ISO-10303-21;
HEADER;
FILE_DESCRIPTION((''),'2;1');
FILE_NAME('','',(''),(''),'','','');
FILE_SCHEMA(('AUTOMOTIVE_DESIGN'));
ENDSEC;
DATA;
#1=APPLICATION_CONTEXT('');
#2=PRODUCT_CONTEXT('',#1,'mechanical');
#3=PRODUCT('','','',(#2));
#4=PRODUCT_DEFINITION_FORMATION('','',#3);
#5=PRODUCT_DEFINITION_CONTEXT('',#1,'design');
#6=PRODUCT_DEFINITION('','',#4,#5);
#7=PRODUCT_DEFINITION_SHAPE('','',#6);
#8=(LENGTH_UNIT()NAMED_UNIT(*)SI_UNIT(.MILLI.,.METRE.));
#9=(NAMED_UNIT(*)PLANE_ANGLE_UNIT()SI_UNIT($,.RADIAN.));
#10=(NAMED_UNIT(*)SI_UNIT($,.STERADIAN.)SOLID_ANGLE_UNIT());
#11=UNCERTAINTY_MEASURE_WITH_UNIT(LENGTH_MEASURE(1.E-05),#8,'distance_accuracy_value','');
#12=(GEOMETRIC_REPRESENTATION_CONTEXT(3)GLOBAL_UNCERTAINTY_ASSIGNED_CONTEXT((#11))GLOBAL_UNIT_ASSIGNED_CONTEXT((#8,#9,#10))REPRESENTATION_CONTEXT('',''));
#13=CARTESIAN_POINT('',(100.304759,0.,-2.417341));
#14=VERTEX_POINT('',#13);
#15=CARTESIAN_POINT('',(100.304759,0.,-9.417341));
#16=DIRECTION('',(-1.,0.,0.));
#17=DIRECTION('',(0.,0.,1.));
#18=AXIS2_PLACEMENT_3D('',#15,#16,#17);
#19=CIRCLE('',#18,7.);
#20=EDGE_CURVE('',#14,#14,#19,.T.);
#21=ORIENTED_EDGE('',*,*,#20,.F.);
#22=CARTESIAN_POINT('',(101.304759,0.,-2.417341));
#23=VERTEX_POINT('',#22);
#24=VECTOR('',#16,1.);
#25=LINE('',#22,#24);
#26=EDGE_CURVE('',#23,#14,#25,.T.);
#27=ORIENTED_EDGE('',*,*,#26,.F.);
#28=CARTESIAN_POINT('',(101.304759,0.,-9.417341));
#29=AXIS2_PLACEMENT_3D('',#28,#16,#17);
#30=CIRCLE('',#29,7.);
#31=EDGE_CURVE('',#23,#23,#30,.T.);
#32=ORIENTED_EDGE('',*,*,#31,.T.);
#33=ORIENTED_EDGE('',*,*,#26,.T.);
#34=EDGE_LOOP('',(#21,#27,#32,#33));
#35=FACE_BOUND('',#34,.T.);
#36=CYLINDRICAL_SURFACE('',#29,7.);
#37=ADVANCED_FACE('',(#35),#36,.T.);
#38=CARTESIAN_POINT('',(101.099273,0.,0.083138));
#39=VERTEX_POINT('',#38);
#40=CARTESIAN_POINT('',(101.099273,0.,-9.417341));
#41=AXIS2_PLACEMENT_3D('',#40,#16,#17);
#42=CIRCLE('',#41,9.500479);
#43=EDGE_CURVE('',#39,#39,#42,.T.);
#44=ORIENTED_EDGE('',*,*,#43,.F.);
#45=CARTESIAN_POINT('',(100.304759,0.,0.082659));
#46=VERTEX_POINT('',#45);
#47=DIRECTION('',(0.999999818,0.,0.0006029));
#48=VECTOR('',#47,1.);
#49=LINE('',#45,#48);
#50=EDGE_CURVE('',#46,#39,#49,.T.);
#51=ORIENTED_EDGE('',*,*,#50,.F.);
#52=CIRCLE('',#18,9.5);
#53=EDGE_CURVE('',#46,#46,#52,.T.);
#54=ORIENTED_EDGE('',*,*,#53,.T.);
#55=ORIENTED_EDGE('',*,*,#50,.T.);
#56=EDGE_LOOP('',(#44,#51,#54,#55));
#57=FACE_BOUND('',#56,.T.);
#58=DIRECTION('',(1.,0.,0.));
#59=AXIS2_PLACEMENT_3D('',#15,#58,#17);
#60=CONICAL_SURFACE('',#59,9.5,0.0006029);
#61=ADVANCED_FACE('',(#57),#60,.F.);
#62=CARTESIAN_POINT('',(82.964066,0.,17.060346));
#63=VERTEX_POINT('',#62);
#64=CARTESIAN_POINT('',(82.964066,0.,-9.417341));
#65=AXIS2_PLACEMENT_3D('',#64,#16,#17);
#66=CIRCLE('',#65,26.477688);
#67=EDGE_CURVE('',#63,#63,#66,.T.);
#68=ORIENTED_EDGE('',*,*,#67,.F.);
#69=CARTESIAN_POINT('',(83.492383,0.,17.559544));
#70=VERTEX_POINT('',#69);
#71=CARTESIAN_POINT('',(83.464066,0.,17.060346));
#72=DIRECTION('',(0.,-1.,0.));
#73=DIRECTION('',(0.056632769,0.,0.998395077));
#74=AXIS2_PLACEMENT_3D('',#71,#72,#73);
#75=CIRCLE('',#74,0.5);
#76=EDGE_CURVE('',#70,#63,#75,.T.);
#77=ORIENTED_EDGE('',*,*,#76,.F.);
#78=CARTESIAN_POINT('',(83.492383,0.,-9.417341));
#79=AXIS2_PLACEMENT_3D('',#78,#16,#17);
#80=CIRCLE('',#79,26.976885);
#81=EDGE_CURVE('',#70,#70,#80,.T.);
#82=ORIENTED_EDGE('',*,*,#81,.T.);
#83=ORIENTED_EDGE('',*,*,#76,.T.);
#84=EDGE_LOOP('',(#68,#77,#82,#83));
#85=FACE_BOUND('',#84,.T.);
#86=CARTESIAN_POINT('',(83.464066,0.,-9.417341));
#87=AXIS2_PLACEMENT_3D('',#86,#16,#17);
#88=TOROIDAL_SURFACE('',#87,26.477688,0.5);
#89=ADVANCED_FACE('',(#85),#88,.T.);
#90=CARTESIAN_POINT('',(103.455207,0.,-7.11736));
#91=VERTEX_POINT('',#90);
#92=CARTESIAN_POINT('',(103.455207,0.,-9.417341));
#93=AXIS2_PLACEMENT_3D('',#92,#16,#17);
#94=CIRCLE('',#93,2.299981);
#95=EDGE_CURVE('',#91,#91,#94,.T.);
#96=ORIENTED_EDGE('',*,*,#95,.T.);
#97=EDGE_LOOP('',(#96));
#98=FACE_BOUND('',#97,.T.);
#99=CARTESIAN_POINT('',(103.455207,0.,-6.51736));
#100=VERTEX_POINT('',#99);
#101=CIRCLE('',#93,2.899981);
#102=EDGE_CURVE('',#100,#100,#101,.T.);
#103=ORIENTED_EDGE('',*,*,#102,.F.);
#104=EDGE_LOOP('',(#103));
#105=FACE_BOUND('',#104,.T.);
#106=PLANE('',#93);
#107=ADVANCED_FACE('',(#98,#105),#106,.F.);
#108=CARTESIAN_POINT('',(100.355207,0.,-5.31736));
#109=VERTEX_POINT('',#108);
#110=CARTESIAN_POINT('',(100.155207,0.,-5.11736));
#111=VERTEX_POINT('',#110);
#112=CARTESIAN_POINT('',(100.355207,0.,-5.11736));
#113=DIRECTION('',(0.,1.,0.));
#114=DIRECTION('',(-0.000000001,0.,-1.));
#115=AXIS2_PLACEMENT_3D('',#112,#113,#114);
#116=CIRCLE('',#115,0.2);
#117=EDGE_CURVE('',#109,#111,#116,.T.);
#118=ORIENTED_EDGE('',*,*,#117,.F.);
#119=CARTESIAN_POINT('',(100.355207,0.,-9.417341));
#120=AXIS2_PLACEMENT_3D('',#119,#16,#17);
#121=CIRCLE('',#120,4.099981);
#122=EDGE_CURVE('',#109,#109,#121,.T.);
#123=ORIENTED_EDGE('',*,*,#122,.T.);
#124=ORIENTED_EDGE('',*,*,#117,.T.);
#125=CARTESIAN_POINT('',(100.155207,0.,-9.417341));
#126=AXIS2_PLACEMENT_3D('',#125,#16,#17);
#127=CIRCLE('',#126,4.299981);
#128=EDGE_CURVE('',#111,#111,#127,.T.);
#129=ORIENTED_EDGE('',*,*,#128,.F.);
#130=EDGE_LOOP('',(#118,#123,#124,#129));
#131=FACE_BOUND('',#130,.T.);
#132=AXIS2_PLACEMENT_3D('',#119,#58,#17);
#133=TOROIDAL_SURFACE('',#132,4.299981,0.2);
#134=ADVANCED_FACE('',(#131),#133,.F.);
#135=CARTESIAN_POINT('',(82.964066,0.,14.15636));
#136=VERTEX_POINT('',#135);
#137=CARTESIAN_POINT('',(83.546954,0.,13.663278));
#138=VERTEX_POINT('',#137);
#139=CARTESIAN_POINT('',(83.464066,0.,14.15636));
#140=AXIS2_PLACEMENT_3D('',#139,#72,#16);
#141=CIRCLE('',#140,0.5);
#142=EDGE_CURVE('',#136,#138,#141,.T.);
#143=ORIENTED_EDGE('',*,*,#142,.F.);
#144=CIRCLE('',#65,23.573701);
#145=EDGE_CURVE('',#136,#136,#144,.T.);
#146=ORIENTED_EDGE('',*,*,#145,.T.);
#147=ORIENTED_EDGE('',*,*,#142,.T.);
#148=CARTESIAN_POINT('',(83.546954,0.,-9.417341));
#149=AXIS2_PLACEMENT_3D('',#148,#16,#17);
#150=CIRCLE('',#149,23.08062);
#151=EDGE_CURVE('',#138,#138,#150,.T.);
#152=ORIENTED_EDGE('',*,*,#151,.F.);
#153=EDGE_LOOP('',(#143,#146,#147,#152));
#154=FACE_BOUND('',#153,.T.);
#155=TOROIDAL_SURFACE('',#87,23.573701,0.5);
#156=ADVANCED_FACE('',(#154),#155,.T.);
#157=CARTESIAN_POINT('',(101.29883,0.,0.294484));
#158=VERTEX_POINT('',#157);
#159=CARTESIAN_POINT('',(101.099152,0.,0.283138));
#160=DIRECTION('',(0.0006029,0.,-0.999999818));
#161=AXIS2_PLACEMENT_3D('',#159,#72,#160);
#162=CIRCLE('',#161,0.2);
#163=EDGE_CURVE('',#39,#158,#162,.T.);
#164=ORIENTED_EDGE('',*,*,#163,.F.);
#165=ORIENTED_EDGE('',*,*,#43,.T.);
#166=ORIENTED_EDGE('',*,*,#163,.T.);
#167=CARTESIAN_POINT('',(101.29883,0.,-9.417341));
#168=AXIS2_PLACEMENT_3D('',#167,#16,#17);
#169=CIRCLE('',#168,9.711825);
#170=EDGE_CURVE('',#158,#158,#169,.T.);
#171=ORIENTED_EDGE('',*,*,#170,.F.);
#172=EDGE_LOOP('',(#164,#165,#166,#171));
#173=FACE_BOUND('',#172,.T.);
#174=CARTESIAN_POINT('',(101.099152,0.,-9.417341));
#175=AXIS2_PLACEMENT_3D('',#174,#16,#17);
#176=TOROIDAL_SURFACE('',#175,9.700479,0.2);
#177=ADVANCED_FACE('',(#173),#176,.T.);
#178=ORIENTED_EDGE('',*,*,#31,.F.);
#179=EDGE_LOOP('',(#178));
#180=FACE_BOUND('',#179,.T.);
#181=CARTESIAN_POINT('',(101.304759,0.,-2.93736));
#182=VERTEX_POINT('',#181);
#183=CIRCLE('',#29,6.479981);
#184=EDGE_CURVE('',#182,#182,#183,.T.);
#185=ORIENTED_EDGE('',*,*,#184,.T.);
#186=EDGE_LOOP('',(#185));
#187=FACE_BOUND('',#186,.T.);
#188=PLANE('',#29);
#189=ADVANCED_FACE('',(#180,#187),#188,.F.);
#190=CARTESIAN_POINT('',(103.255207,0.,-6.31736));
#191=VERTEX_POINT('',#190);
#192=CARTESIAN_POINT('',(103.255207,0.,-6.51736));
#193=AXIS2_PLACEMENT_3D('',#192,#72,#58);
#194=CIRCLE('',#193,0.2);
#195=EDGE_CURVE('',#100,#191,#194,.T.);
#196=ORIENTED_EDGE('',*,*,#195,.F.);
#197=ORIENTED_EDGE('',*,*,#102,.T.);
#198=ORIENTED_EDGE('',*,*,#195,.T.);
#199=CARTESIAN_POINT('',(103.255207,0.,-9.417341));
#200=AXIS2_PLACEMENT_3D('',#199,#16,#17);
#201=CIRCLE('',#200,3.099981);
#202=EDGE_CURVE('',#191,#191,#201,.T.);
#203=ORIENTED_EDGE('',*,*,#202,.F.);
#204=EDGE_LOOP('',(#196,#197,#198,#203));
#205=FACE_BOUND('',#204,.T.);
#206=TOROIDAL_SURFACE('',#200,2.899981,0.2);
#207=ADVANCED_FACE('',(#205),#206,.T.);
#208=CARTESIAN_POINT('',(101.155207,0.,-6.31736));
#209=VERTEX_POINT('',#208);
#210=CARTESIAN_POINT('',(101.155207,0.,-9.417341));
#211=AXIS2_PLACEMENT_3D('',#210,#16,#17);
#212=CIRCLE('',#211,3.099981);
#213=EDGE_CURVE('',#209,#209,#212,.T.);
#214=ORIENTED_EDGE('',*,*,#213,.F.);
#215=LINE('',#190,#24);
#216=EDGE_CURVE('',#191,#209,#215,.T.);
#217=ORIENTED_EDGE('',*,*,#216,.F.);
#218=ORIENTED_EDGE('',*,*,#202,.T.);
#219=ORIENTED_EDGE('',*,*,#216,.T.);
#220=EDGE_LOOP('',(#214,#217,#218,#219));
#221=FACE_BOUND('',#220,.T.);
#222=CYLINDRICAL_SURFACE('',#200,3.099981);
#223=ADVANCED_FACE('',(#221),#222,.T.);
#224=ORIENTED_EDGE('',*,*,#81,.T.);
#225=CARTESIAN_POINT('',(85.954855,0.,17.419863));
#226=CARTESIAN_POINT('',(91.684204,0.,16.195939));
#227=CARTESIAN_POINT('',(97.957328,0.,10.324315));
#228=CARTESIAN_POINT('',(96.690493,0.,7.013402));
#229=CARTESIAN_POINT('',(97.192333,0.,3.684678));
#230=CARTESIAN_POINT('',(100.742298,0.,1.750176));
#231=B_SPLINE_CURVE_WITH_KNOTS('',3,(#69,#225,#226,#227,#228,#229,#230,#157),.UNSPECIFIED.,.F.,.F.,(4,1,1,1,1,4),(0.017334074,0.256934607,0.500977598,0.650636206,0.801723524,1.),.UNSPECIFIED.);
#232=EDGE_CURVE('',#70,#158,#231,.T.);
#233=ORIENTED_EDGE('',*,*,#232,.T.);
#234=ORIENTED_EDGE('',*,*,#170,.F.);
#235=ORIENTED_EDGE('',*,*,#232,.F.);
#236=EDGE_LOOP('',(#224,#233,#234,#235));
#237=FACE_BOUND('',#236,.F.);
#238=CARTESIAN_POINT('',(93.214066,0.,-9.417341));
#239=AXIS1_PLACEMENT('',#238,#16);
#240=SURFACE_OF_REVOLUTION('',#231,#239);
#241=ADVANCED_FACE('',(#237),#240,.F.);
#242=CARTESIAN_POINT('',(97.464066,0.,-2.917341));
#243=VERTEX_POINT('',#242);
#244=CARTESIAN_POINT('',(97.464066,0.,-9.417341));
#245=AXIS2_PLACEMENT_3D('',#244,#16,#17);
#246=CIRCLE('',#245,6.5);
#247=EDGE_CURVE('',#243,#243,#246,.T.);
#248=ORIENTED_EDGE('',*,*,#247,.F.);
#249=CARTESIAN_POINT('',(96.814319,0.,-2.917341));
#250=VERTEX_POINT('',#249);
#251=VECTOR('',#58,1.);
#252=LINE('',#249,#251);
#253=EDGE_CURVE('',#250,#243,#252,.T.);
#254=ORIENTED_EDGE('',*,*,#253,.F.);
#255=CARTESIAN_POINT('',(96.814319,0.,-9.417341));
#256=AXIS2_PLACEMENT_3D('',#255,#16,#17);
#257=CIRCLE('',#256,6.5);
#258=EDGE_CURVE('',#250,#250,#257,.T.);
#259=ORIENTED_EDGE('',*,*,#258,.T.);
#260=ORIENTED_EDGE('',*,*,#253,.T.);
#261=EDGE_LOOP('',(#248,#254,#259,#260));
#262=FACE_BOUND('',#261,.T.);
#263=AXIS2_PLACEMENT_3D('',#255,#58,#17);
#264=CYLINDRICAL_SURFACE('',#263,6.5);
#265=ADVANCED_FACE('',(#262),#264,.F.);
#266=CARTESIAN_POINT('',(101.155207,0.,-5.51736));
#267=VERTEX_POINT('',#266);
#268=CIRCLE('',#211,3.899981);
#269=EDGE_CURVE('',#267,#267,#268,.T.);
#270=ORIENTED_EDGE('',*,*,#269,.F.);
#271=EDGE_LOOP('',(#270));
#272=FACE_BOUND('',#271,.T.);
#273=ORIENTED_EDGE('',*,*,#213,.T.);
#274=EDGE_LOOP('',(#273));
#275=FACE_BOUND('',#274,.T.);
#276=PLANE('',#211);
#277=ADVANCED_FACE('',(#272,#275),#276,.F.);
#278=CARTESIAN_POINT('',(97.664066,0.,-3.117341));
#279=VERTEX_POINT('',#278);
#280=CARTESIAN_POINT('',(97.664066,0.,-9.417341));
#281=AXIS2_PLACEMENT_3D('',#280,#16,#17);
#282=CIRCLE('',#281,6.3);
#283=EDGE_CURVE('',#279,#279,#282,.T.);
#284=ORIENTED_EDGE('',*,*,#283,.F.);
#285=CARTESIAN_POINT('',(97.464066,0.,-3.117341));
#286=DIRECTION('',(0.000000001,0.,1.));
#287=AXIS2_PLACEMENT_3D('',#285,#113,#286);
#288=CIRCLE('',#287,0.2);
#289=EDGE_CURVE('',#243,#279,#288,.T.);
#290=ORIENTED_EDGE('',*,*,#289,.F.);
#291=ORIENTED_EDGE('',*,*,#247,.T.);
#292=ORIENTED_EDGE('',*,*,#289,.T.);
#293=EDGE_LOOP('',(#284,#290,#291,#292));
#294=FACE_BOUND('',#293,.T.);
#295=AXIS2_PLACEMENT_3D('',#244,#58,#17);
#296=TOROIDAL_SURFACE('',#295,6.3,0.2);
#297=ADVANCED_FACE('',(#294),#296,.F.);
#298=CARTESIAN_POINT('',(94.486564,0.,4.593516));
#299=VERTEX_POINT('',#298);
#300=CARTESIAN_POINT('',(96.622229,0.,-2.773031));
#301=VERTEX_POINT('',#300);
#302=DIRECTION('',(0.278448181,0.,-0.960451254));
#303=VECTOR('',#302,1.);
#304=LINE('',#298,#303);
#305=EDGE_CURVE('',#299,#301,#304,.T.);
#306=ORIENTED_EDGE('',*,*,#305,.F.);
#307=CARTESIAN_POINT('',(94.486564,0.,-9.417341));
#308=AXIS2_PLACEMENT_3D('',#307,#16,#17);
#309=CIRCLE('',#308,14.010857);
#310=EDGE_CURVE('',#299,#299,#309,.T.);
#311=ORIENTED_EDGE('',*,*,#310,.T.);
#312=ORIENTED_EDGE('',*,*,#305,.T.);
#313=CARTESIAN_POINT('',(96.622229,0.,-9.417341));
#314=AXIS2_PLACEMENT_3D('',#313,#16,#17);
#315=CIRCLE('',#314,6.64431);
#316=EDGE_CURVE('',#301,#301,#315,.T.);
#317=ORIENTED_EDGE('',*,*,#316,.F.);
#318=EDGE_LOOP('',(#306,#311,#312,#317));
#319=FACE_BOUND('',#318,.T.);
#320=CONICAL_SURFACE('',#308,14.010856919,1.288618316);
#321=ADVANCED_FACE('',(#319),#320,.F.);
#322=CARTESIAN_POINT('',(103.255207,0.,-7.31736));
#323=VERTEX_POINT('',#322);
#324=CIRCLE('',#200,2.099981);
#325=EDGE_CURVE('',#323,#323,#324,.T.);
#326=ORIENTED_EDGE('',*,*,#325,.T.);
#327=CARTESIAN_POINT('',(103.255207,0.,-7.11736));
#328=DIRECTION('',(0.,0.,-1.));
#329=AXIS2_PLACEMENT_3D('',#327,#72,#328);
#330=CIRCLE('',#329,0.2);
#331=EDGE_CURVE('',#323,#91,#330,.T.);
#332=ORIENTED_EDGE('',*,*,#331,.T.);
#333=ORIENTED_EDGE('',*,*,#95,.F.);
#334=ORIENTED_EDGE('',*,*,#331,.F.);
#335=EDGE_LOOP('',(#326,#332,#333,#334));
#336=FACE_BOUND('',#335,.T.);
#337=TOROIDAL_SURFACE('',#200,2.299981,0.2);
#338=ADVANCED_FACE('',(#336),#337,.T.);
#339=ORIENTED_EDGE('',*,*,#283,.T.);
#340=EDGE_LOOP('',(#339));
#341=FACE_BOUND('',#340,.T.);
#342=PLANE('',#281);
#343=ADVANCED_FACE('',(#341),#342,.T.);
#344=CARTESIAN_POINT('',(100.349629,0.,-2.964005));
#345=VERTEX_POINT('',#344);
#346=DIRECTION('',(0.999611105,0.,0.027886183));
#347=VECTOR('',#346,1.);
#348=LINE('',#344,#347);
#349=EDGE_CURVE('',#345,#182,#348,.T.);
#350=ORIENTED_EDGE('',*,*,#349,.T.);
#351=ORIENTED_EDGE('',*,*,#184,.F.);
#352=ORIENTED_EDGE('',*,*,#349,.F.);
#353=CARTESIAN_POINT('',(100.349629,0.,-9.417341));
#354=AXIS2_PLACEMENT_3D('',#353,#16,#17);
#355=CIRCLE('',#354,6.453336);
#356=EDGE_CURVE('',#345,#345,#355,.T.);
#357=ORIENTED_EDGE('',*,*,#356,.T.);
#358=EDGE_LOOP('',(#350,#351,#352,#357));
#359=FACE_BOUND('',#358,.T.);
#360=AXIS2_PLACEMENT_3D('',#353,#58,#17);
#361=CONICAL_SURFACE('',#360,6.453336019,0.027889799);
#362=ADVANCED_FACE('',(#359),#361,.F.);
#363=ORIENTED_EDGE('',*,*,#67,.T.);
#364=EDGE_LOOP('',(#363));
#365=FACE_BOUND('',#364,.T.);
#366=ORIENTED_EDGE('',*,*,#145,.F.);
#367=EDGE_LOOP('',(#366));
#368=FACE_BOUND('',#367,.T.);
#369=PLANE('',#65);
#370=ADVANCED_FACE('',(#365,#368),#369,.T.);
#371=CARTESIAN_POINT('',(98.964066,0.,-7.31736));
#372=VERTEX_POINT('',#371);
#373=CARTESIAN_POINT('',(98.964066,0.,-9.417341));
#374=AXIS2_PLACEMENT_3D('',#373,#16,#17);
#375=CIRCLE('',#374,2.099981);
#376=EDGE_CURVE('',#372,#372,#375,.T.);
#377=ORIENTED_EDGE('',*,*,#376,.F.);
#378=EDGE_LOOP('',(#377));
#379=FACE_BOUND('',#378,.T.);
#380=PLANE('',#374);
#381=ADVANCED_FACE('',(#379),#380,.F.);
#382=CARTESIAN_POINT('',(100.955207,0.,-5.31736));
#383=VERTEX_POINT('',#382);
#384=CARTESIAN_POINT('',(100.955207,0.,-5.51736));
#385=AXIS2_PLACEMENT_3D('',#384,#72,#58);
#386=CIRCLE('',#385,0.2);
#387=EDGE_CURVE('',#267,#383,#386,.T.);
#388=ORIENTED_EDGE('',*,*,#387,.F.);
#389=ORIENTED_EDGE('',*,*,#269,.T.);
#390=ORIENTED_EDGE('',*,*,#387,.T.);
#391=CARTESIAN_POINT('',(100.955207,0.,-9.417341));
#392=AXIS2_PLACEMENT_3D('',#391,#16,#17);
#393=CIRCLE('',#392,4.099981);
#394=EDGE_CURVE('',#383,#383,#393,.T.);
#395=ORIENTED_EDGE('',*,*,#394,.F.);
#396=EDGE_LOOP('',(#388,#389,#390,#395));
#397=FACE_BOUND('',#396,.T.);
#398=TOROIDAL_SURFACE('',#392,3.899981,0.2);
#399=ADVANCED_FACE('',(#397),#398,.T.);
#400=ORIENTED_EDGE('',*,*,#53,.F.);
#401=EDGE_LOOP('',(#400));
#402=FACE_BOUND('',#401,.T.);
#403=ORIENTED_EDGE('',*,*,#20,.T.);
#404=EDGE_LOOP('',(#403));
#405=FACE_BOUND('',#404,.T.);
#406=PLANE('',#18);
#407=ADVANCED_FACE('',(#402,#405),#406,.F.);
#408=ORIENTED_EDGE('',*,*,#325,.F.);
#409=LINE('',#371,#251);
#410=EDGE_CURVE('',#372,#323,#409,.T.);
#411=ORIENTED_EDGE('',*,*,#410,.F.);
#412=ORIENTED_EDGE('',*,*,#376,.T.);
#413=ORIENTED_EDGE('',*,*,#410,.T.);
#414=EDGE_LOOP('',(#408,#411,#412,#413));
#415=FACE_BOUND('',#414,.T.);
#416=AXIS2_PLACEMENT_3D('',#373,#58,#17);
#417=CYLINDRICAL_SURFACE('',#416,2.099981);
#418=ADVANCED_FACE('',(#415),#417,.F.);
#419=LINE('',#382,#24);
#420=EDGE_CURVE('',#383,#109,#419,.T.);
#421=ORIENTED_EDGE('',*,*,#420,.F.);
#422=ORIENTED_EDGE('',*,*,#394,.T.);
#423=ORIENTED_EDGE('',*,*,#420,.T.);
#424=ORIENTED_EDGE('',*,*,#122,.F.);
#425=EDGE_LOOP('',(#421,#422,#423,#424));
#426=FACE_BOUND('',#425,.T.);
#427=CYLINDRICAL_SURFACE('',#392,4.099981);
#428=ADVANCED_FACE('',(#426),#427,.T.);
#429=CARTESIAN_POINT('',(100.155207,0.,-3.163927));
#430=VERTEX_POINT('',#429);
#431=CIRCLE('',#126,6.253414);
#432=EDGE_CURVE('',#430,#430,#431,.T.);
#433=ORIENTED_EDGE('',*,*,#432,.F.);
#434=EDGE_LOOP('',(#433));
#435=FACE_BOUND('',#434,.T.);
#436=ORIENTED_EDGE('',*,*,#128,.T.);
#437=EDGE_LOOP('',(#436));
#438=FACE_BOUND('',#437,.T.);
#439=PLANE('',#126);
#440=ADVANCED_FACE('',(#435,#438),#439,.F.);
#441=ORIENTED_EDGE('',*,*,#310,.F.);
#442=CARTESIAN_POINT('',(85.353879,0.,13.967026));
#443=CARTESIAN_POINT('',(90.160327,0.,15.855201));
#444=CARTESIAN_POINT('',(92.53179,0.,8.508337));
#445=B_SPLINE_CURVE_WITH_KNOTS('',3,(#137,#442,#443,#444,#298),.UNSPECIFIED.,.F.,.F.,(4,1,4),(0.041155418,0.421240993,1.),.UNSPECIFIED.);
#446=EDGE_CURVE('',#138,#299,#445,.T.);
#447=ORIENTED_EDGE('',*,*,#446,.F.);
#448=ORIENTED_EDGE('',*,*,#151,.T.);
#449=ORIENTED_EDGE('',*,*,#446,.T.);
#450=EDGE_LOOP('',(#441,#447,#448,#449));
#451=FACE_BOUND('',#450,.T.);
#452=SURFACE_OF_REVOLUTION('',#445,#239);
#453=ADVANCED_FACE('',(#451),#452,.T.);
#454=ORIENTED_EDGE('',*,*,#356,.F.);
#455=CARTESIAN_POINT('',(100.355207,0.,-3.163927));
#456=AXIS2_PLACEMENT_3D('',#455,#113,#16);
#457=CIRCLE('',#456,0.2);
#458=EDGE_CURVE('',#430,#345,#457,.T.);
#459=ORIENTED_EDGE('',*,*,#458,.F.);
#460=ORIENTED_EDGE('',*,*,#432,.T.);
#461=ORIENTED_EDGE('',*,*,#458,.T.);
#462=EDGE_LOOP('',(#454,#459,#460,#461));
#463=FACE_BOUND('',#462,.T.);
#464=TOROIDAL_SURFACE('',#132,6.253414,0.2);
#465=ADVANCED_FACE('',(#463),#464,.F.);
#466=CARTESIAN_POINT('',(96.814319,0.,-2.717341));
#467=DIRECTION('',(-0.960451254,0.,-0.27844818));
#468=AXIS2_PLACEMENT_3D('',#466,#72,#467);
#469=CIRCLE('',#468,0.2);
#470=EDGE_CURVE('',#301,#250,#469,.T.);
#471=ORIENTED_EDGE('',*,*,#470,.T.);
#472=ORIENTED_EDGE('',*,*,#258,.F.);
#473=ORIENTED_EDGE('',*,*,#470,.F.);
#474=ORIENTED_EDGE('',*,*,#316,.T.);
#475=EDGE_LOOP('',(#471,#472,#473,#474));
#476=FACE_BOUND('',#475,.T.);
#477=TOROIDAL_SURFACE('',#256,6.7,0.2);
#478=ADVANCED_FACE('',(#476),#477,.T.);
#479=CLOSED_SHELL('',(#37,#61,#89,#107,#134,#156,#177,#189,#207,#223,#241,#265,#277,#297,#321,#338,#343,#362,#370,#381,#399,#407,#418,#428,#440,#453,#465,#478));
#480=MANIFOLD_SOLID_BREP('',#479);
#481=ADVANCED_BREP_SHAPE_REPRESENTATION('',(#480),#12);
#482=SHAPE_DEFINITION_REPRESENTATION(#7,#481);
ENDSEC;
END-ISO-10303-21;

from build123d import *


with BuildPart() as f1:
    # F0 (on Front) → F1 (revolve)
    with BuildSketch(Plane.XZ):
        with BuildLine():
            ThreePointArc((103.2552067209, -7.3173598393), (103.3966280772, -7.2587811955), (103.4552067209, -7.1173598393))
            Line((103.4552067209, -7.1173598393), (103.4552067209, -6.5173598393))
            ThreePointArc((103.4552067209, -6.5173598393), (103.3966280772, -6.3759384831), (103.2552067209, -6.3173598393))
            Line((103.2552067209, -6.3173598393), (101.1552067209, -6.3173598393))
            Line((101.1552067209, -6.3173598393), (101.1552067209, -5.5173598393))
            ThreePointArc((101.1552067209, -5.5173598393), (101.0966280772, -5.3759384831), (100.9552067209, -5.3173598393))
            Line((100.9552067209, -5.3173598393), (100.3552067209, -5.3173598393))
            ThreePointArc((100.3552067209, -5.3173598393), (100.2137853647, -5.2587811955), (100.1552067209, -5.1173598393))
            Line((100.1552067209, -5.1173598393), (100.1552067209, -3.1639273529))
            ThreePointArc((100.1552067209, -3.1639273529), (100.2118270722, -3.0244917895), (100.3496294843, -2.9640051319))
            Line((100.3496294843, -2.9640051319), (101.3047594914, -2.9373598393))
            Line((101.3047594914, -2.9373598393), (101.3047594914, -2.4173411505))
            Line((101.3047594914, -2.4173411505), (100.3047594914, -2.4173411505))
            Line((100.3047594914, -2.4173411505), (100.3047594914, 0.0826588495))
            Line((100.3047594914, 0.0826588495), (101.0992726788, 0.0831378613))
            ThreePointArc((101.0992726788, 0.0831378613), (101.2445709399, 0.1458302845), (101.2988300096, 0.2944838347))
            add(Edge.make_bspline(
                [(83.4923827, 17.5595440168), (85.954855152, 17.4198632066), (91.6842036726, 16.1959388617), (97.957327511, 10.3243153654), (96.6904926733, 7.0134015088), (97.1923326743, 3.6846783615), (100.7422979039, 1.7501764035), (101.2988300096, 0.2944838347)],
                knots=[0.0173340735, 0.0173340735, 0.0173340735, 0.0173340735, 0.2569346066, 0.5009775979, 0.650636206, 0.8017235238, 1, 1, 1, 1], degree=3))
            ThreePointArc((83.4923827, 17.5595440168), (83.120670183, 17.423773357), (82.9640663156, 17.0603464784))
            Line((82.9640663156, 17.0603464784), (82.9640663156, 14.1563601457))
            ThreePointArc((82.9640663156, 14.1563601457), (83.1411452754, 13.7746246328), (83.5469543227, 13.6632784301))
            add(Edge.make_bspline(
                [(83.5469543227, 13.6632784301), (85.3538789664, 13.96702602), (90.1603272559, 15.8552005221), (92.5317897399, 8.5083365003), (94.4865643978, 4.5935157686)],
                knots=[0.0411554181, 0.0411554181, 0.0411554181, 0.0411554181, 0.4212409927, 1, 1, 1, 1], degree=3))
            Line((94.4865643978, 4.5935157686), (96.6222287334, -2.7730307867))
            ThreePointArc((96.6222287334, -2.7730307867), (96.6941897354, -2.8772441324), (96.8143189841, -2.9173411505))
            Line((96.8143189841, -2.9173411505), (97.4640663156, -2.9173411505))
            ThreePointArc((97.4640663156, -2.9173411505), (97.6054876718, -2.9759197943), (97.6640663156, -3.1173411505))
            Line((97.6640663156, -3.1173411505), (97.6640663156, -9.4173411505))
            Line((97.6640663156, -9.4173411505), (98.9640663156, -9.4173411505))
            Line((98.9640663156, -9.4173411505), (98.9640663156, -7.3173598393))
            Line((98.9640663156, -7.3173598393), (103.2552067209, -7.3173598393))
        make_face()
    revolve(axis=Axis((93.2140663156, 0, -9.4173411505), (-1, 0, 0)))


solid = f1.part
